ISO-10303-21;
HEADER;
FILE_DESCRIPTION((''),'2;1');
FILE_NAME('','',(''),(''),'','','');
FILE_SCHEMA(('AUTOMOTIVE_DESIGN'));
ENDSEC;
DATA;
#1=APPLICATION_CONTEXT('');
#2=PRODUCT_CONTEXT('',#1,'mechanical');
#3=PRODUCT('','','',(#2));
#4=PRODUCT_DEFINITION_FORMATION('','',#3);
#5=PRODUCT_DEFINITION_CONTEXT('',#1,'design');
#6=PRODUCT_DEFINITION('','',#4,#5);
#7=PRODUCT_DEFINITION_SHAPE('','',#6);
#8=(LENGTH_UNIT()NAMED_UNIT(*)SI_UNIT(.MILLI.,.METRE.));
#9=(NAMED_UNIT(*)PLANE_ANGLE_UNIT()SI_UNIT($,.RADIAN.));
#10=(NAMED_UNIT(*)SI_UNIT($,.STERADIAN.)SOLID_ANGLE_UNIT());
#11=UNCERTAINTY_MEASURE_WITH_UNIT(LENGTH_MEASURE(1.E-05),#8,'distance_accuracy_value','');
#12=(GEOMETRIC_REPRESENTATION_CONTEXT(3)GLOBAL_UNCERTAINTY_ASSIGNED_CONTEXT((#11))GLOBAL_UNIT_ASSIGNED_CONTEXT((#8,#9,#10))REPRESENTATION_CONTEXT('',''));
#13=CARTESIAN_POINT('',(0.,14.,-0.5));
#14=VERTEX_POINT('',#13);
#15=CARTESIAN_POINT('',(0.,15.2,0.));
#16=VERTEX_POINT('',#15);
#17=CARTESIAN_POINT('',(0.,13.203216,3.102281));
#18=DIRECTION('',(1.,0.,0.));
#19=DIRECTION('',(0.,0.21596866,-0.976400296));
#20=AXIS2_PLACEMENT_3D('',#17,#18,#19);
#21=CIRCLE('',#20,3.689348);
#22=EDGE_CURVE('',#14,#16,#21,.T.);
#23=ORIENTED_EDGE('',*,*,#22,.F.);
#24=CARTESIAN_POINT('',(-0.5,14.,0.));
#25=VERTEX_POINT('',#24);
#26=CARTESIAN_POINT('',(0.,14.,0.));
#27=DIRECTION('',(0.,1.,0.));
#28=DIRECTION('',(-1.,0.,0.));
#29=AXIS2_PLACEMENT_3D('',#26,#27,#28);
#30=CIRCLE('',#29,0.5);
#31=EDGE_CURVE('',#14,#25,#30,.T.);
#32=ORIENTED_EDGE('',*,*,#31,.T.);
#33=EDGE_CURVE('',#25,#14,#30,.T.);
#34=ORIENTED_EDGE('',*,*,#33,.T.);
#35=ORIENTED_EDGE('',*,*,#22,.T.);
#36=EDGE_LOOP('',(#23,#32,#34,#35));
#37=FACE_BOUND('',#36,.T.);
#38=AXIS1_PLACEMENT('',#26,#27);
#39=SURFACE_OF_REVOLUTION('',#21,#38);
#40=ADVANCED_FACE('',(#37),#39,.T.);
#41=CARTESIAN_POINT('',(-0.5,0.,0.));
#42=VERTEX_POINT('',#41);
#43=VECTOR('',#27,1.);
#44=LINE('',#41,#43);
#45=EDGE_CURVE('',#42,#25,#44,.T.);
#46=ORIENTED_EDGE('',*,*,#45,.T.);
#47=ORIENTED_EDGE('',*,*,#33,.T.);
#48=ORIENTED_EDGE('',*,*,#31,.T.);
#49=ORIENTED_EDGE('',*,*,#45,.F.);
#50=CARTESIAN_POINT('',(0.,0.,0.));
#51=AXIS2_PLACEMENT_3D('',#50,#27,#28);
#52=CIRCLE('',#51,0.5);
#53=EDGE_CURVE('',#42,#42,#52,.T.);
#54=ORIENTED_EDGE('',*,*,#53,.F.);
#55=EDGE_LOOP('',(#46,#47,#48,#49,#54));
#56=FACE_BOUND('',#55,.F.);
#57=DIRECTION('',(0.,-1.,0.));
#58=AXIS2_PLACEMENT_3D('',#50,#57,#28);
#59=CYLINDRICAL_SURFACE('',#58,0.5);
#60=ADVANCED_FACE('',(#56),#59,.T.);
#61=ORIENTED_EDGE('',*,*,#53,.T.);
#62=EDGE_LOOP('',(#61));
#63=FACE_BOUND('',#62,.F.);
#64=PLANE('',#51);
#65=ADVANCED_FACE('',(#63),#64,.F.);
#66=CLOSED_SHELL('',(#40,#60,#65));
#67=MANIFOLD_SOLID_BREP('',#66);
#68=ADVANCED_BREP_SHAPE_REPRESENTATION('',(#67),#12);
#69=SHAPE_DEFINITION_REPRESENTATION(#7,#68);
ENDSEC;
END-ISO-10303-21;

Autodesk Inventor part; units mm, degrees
ref_plane "YZ Plane" through (0, 0, 0) normal (1, 0, 0) x (0, 1, 0)
ref_plane "XZ Plane" through (0, 0, 0) normal (0, 1, 0) x (-1, 0, 0)
ref_plane "XY Plane" through (0, 0, 0) normal (0, 0, 1) x (1, 0, 0)
sketch "Sketch1" plane through (0, 0, 0) normal (0, 1, 0) x (-1, 0, 0)
  circle A0 centre (0, 0) radius 0.5
  dimension "d0" = 1
extrude "Extrusion1" add sketch "Sketch1" along normal blind 14
sketch "Sketch2" plane through (0, 14, 0) normal (0, 1, 0) x (1, 0, 0)
  circle A0 centre (0, 0) radius 0.5 projected
  line L0 (0, -0.5) -> (0, 0.5)
ref_plane "Work Plane2" through (0, 14, 0.5) normal (1, 0, 0) x (0, 0, -1)
sketch "Sketch3" plane through (0, 14, 0.5) normal (1, 0, 0) x (0, 0, -1)
  line L0 (1, 0) -> (0, 0) projected
  line L1 (0.5, 0) -> (0.5, 1.2)
  arc A0 (1, 0) -> (0.5, 1.2) centre (-2.6017, -0.7966) ccw
  line L2 (0.5, -24.2444) -> (0.5, 5.4666) projected
  point P0 (0.5, -14)
  dimension "d4" = 1.2
revolve "Revolution1" add sketch "Sketch3" angle 360 about axis through (0, 14, 0) along (0, 1, 0)
properties part number "foot_claw_2.5"
